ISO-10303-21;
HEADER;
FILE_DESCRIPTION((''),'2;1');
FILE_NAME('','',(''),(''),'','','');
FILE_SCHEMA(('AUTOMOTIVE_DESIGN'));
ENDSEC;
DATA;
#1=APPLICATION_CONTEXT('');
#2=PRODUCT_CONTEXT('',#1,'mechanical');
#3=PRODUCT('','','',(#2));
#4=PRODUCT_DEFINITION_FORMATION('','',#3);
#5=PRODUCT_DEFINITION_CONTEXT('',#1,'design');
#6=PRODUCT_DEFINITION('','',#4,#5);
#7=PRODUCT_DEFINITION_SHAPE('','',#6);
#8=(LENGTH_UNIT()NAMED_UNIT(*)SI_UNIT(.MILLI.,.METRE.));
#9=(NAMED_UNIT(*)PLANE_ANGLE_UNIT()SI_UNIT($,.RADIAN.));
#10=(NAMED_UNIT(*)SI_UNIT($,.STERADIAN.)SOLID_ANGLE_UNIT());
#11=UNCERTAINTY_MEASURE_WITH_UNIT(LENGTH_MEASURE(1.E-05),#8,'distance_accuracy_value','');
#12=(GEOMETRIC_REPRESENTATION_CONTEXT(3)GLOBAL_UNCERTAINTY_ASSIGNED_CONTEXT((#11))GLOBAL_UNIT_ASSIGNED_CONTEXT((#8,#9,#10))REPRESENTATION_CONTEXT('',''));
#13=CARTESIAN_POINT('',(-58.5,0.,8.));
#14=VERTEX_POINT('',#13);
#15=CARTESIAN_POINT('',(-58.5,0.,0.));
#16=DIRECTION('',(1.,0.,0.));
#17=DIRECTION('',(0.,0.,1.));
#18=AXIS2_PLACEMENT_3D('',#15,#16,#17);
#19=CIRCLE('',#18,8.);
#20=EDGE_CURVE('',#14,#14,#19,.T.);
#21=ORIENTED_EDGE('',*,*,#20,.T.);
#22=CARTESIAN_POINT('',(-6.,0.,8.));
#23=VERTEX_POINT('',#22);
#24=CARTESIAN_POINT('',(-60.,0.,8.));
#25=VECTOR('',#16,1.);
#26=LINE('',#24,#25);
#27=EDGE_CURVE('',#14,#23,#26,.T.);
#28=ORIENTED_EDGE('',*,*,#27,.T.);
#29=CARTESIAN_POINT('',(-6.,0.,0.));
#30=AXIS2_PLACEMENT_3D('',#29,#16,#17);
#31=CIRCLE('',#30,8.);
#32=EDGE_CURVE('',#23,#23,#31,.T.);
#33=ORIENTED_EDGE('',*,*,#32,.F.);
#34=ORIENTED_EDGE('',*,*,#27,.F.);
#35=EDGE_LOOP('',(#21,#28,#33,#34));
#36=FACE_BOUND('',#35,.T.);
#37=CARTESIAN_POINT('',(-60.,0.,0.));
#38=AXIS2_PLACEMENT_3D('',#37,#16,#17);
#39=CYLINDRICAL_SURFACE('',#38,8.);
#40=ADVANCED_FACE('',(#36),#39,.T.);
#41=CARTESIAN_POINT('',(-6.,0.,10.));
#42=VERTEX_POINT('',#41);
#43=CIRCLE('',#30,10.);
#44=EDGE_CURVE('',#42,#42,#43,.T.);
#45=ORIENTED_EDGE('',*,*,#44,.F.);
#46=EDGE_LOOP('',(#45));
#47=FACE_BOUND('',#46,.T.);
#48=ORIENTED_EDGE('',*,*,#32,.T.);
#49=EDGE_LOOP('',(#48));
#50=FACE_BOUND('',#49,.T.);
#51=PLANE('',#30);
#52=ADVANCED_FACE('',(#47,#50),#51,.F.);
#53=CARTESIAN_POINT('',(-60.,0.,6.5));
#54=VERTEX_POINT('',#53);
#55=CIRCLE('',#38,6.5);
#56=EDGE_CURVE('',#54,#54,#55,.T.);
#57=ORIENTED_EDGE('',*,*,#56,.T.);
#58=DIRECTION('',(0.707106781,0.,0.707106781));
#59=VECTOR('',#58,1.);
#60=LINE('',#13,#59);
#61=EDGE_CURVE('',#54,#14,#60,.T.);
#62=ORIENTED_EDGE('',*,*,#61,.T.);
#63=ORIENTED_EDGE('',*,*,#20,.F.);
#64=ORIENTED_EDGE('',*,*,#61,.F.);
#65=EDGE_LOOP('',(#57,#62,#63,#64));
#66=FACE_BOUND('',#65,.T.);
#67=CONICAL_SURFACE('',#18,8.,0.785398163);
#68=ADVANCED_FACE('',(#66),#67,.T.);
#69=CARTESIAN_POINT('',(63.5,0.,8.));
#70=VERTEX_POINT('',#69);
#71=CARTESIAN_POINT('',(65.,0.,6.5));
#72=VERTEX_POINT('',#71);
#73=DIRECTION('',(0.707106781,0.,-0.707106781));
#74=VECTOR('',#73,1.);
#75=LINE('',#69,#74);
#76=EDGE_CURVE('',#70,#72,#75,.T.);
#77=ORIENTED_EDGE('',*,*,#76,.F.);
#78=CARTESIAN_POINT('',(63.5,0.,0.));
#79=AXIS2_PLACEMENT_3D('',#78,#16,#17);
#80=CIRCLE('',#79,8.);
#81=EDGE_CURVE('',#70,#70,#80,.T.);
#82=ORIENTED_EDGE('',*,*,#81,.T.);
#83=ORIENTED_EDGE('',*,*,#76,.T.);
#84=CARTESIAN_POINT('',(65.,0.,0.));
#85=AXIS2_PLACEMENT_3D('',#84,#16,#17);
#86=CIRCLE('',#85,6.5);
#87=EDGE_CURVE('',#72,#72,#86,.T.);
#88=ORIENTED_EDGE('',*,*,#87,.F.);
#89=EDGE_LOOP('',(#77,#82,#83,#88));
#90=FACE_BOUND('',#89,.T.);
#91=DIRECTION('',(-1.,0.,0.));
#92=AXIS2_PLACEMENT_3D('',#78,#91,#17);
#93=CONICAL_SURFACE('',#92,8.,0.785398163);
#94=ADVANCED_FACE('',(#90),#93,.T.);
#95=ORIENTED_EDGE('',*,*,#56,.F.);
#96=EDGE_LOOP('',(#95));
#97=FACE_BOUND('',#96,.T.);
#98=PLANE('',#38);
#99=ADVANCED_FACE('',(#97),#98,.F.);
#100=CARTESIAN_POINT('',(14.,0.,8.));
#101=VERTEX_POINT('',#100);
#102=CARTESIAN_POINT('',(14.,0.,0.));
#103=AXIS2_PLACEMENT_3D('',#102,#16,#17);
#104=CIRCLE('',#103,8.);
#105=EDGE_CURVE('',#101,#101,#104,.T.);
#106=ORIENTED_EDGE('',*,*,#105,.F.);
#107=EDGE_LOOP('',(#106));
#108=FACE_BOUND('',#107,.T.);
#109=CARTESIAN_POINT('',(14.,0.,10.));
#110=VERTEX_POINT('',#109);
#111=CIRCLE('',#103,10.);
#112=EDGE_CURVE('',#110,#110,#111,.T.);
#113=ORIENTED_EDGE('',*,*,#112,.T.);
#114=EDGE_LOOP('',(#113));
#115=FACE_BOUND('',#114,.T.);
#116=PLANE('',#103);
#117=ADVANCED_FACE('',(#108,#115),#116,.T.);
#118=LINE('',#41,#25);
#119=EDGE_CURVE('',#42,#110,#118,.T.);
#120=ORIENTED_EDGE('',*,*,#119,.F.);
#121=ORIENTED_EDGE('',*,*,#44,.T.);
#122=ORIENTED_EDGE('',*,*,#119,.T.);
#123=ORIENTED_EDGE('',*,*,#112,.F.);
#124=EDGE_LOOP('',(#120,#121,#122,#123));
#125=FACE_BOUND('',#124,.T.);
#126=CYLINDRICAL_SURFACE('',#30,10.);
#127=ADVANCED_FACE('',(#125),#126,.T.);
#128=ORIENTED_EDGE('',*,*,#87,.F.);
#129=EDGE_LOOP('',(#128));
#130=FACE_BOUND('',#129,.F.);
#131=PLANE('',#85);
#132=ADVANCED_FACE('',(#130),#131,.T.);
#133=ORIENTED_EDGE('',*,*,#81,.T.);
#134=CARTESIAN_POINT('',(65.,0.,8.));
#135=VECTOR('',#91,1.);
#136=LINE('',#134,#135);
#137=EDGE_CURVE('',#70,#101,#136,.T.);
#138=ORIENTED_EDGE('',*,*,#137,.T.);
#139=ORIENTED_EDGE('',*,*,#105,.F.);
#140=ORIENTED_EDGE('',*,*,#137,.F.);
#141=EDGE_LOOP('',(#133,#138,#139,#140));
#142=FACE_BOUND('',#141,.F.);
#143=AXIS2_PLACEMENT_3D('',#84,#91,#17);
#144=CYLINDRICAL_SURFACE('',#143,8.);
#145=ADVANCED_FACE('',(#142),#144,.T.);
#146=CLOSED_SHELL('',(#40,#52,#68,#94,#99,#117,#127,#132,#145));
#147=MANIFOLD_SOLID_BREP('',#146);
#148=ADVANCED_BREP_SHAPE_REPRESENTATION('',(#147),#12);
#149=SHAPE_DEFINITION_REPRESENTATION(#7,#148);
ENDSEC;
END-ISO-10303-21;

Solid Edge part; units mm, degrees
sketch "Sketch1" plane through (0, 0, 0) normal (0, -1, 0) x (1, 0, 0)
  line L0 (-60, 0) -> (-60, 8)
  line L1 (-60, 8) -> (-6, 8)
  line L2 (-6, 8) -> (-6, 10)
  line L3 (-6, 10) -> (14, 10)
  line L4 (14, 10) -> (14, 8)
  line L5 (65, 8) -> (14, 8)
  line L6 (65, 0) -> (65, 8)
revolve "RevolvedProtrusion1" add sketch "Sketch1" angle 360 about axis through (-60, 0, 0) along (1, 0, 0)
cosmetic_thread "Thread1" size "M16"
cosmetic_thread "Thread_2" size "M16" thread depth 35
chamfer "Chamfer_1" distance 1.5 angle 45 2 edges at (-60, 0, -8) (65, 0, -8)
